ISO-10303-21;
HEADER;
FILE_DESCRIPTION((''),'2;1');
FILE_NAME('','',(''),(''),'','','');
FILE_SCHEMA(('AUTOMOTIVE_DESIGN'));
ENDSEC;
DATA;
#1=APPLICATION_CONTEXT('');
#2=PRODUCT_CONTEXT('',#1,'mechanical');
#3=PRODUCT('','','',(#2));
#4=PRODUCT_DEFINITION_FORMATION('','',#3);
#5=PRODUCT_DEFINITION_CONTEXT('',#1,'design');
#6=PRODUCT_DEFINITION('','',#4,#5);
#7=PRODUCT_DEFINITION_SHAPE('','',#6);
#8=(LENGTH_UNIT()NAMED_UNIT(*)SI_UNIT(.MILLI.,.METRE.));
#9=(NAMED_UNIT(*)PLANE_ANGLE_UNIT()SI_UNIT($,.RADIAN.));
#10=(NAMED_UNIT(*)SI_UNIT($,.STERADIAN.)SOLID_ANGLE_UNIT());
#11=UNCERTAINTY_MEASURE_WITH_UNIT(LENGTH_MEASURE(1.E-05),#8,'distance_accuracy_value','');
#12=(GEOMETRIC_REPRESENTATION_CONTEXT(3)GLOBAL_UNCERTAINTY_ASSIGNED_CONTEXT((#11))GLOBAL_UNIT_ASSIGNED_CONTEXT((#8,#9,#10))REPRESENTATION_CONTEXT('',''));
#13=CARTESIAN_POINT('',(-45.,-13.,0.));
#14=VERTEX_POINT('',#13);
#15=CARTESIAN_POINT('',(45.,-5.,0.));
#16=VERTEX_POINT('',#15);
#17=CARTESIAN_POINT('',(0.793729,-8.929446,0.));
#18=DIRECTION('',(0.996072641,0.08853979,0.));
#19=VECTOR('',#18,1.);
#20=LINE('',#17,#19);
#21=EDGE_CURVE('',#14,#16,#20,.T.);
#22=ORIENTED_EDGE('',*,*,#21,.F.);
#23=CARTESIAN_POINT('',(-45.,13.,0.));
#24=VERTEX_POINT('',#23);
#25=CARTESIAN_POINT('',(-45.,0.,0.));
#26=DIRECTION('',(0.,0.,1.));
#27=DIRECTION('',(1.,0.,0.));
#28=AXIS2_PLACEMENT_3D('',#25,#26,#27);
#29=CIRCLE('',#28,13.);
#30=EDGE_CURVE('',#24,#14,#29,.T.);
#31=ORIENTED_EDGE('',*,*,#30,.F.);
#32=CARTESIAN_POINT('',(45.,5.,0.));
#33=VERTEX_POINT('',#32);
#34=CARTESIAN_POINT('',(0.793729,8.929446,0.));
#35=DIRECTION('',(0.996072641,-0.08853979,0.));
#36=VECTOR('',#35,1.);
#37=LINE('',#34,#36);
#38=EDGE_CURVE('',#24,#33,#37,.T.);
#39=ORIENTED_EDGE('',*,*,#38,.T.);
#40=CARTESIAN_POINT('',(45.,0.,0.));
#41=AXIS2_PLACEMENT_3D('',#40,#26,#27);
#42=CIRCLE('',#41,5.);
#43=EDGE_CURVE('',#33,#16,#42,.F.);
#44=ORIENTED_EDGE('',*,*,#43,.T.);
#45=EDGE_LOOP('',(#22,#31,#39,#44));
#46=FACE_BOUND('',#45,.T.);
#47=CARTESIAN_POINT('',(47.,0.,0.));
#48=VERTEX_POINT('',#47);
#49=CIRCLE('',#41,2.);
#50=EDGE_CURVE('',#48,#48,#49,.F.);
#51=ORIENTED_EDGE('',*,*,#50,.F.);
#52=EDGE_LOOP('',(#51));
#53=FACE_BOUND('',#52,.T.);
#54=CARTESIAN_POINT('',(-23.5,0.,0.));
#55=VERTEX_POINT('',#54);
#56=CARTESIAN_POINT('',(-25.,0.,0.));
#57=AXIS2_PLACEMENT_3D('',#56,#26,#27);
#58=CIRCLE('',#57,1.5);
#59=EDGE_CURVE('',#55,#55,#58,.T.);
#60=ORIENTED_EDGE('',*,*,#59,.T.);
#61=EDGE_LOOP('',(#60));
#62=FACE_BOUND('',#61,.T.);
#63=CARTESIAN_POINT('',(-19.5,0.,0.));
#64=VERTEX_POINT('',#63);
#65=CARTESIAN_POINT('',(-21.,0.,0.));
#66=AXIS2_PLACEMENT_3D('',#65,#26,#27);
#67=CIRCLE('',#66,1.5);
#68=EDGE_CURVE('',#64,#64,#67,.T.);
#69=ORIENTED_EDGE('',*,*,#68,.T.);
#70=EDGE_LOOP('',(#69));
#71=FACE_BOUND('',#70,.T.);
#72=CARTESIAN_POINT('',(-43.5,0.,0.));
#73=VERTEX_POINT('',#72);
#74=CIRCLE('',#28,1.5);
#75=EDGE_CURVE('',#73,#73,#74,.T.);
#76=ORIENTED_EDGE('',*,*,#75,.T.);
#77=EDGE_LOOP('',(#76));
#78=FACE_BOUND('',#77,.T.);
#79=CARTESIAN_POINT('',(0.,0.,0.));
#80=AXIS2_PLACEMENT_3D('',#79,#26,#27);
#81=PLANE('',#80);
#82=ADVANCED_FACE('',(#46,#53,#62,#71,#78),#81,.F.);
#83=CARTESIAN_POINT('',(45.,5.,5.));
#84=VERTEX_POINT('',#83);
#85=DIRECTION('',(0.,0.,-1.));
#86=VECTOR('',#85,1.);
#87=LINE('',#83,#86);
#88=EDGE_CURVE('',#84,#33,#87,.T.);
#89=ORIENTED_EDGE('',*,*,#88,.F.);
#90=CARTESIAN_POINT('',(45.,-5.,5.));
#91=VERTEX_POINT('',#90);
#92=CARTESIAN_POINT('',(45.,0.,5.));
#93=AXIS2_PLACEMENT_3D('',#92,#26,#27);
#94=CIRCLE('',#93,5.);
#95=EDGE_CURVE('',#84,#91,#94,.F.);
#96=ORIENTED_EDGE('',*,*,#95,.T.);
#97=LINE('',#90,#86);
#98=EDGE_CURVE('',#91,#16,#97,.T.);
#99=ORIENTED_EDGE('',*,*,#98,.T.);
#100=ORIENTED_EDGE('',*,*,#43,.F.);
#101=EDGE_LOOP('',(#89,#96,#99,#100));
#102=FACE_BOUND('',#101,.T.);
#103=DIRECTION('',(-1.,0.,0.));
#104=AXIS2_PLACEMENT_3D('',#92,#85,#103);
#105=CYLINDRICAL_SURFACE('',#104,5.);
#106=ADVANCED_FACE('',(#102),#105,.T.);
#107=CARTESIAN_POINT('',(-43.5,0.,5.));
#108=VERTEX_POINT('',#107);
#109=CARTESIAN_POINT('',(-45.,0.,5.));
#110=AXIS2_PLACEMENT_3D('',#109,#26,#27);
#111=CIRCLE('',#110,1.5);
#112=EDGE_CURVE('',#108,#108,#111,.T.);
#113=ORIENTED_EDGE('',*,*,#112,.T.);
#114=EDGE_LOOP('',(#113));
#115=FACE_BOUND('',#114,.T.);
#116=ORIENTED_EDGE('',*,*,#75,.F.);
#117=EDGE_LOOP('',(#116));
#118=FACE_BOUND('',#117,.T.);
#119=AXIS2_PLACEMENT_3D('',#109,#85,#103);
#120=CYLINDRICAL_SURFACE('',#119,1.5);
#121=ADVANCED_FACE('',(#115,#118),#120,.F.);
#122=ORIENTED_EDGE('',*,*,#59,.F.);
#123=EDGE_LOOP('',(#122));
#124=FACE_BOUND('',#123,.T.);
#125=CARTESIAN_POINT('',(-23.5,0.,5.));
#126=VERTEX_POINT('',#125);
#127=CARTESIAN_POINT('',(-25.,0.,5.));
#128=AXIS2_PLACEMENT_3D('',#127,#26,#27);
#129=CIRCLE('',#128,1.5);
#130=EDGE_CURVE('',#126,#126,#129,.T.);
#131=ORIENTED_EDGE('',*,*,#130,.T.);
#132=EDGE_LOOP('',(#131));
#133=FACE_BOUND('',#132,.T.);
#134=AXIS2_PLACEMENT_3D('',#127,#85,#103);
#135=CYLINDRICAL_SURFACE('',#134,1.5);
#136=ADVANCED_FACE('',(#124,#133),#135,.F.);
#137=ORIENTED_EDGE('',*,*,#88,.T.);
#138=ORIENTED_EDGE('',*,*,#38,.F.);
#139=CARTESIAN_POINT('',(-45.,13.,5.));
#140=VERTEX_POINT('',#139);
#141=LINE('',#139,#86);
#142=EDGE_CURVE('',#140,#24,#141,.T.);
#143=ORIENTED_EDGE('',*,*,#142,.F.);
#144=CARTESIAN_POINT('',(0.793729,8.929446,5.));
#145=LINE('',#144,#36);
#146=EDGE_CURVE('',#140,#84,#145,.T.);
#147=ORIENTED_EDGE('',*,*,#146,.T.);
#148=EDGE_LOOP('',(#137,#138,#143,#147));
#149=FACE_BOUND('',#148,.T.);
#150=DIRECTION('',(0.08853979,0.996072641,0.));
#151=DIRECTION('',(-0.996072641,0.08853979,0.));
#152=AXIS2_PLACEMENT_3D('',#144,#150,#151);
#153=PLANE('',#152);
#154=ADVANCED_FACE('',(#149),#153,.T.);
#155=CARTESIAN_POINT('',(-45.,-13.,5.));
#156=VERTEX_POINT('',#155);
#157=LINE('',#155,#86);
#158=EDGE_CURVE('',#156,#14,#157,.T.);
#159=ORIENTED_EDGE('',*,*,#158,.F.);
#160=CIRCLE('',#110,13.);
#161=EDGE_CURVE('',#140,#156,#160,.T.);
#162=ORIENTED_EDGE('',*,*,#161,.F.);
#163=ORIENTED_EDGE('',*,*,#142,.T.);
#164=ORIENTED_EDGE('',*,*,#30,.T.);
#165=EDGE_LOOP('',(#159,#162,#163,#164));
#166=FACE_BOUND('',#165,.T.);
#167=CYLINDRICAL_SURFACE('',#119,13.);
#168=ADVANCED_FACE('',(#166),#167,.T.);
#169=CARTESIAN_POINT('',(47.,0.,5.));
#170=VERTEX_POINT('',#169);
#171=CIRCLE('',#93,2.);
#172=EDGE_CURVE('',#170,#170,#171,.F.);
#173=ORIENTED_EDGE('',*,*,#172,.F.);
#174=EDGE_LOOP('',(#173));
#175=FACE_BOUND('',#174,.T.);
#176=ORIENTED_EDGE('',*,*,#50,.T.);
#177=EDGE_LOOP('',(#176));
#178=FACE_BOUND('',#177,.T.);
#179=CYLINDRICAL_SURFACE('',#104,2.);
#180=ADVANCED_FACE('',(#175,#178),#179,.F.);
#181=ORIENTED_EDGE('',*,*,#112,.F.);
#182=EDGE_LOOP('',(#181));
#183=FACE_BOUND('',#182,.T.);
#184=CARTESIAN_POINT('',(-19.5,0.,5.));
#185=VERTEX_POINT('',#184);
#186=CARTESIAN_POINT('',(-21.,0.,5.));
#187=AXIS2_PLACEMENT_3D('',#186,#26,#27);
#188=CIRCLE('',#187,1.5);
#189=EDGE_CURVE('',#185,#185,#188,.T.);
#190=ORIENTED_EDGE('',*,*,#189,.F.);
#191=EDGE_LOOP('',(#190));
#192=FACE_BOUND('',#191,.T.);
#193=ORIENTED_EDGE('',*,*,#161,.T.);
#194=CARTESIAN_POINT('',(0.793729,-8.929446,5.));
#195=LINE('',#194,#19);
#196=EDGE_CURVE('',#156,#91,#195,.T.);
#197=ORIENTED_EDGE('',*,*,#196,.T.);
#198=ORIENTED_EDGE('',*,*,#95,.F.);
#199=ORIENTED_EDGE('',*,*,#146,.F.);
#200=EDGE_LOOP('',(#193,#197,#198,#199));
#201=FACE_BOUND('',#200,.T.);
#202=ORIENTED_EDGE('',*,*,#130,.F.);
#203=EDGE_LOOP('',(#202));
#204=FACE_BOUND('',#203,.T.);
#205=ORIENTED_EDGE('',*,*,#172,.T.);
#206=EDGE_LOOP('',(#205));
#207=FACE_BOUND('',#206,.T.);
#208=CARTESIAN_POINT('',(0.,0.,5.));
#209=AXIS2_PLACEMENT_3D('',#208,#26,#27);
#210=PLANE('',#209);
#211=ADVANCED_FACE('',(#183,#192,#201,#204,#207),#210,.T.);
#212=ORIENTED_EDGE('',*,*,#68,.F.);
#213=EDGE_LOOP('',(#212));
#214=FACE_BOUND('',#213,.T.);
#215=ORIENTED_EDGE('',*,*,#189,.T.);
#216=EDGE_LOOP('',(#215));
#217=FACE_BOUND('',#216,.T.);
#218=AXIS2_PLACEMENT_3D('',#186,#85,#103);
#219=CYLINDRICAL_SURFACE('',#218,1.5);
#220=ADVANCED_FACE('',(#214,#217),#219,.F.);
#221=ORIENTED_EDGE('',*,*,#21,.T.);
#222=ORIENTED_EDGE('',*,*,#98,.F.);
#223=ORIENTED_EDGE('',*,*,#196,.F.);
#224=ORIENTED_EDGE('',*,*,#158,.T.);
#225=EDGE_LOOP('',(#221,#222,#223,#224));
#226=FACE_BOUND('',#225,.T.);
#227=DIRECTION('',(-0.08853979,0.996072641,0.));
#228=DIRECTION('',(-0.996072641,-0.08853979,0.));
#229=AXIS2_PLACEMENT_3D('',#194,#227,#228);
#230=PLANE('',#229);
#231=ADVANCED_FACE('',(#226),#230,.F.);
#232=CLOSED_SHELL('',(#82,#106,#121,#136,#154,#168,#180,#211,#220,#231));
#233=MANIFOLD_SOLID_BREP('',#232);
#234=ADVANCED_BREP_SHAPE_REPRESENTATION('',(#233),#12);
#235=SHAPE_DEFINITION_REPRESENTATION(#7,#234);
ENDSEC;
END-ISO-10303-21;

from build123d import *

# Parameters (mm, degrees)
SKETCH_1_R      = 1.5
SKETCH_1_R_2    = 2
EXTRUDE_1_DEPTH = 5


with BuildPart() as part:
    # 草图1 → 凸台-拉伸1 (new body)
    with BuildSketch(Plane.XY):
        with BuildLine():
            Line((-45, 13), (45, 5))
            ThreePointArc((45, 5), (50, 0), (45, -5))
            Line((45, -5), (-45, -13))
            ThreePointArc((-45, -13), (-58, 0), (-45, 13))
        make_face()
        with Locations((-45, 0)):
            Circle(SKETCH_1_R, mode=Mode.SUBTRACT)
        with Locations((45, 0)):
            Circle(SKETCH_1_R_2, mode=Mode.SUBTRACT)
        with Locations((-25, 0)):
            Circle(SKETCH_1_R, mode=Mode.SUBTRACT)
        with Locations((-21, 0)):
            Circle(SKETCH_1_R, mode=Mode.SUBTRACT)
    extrude(amount=EXTRUDE_1_DEPTH)


solid = part.part
